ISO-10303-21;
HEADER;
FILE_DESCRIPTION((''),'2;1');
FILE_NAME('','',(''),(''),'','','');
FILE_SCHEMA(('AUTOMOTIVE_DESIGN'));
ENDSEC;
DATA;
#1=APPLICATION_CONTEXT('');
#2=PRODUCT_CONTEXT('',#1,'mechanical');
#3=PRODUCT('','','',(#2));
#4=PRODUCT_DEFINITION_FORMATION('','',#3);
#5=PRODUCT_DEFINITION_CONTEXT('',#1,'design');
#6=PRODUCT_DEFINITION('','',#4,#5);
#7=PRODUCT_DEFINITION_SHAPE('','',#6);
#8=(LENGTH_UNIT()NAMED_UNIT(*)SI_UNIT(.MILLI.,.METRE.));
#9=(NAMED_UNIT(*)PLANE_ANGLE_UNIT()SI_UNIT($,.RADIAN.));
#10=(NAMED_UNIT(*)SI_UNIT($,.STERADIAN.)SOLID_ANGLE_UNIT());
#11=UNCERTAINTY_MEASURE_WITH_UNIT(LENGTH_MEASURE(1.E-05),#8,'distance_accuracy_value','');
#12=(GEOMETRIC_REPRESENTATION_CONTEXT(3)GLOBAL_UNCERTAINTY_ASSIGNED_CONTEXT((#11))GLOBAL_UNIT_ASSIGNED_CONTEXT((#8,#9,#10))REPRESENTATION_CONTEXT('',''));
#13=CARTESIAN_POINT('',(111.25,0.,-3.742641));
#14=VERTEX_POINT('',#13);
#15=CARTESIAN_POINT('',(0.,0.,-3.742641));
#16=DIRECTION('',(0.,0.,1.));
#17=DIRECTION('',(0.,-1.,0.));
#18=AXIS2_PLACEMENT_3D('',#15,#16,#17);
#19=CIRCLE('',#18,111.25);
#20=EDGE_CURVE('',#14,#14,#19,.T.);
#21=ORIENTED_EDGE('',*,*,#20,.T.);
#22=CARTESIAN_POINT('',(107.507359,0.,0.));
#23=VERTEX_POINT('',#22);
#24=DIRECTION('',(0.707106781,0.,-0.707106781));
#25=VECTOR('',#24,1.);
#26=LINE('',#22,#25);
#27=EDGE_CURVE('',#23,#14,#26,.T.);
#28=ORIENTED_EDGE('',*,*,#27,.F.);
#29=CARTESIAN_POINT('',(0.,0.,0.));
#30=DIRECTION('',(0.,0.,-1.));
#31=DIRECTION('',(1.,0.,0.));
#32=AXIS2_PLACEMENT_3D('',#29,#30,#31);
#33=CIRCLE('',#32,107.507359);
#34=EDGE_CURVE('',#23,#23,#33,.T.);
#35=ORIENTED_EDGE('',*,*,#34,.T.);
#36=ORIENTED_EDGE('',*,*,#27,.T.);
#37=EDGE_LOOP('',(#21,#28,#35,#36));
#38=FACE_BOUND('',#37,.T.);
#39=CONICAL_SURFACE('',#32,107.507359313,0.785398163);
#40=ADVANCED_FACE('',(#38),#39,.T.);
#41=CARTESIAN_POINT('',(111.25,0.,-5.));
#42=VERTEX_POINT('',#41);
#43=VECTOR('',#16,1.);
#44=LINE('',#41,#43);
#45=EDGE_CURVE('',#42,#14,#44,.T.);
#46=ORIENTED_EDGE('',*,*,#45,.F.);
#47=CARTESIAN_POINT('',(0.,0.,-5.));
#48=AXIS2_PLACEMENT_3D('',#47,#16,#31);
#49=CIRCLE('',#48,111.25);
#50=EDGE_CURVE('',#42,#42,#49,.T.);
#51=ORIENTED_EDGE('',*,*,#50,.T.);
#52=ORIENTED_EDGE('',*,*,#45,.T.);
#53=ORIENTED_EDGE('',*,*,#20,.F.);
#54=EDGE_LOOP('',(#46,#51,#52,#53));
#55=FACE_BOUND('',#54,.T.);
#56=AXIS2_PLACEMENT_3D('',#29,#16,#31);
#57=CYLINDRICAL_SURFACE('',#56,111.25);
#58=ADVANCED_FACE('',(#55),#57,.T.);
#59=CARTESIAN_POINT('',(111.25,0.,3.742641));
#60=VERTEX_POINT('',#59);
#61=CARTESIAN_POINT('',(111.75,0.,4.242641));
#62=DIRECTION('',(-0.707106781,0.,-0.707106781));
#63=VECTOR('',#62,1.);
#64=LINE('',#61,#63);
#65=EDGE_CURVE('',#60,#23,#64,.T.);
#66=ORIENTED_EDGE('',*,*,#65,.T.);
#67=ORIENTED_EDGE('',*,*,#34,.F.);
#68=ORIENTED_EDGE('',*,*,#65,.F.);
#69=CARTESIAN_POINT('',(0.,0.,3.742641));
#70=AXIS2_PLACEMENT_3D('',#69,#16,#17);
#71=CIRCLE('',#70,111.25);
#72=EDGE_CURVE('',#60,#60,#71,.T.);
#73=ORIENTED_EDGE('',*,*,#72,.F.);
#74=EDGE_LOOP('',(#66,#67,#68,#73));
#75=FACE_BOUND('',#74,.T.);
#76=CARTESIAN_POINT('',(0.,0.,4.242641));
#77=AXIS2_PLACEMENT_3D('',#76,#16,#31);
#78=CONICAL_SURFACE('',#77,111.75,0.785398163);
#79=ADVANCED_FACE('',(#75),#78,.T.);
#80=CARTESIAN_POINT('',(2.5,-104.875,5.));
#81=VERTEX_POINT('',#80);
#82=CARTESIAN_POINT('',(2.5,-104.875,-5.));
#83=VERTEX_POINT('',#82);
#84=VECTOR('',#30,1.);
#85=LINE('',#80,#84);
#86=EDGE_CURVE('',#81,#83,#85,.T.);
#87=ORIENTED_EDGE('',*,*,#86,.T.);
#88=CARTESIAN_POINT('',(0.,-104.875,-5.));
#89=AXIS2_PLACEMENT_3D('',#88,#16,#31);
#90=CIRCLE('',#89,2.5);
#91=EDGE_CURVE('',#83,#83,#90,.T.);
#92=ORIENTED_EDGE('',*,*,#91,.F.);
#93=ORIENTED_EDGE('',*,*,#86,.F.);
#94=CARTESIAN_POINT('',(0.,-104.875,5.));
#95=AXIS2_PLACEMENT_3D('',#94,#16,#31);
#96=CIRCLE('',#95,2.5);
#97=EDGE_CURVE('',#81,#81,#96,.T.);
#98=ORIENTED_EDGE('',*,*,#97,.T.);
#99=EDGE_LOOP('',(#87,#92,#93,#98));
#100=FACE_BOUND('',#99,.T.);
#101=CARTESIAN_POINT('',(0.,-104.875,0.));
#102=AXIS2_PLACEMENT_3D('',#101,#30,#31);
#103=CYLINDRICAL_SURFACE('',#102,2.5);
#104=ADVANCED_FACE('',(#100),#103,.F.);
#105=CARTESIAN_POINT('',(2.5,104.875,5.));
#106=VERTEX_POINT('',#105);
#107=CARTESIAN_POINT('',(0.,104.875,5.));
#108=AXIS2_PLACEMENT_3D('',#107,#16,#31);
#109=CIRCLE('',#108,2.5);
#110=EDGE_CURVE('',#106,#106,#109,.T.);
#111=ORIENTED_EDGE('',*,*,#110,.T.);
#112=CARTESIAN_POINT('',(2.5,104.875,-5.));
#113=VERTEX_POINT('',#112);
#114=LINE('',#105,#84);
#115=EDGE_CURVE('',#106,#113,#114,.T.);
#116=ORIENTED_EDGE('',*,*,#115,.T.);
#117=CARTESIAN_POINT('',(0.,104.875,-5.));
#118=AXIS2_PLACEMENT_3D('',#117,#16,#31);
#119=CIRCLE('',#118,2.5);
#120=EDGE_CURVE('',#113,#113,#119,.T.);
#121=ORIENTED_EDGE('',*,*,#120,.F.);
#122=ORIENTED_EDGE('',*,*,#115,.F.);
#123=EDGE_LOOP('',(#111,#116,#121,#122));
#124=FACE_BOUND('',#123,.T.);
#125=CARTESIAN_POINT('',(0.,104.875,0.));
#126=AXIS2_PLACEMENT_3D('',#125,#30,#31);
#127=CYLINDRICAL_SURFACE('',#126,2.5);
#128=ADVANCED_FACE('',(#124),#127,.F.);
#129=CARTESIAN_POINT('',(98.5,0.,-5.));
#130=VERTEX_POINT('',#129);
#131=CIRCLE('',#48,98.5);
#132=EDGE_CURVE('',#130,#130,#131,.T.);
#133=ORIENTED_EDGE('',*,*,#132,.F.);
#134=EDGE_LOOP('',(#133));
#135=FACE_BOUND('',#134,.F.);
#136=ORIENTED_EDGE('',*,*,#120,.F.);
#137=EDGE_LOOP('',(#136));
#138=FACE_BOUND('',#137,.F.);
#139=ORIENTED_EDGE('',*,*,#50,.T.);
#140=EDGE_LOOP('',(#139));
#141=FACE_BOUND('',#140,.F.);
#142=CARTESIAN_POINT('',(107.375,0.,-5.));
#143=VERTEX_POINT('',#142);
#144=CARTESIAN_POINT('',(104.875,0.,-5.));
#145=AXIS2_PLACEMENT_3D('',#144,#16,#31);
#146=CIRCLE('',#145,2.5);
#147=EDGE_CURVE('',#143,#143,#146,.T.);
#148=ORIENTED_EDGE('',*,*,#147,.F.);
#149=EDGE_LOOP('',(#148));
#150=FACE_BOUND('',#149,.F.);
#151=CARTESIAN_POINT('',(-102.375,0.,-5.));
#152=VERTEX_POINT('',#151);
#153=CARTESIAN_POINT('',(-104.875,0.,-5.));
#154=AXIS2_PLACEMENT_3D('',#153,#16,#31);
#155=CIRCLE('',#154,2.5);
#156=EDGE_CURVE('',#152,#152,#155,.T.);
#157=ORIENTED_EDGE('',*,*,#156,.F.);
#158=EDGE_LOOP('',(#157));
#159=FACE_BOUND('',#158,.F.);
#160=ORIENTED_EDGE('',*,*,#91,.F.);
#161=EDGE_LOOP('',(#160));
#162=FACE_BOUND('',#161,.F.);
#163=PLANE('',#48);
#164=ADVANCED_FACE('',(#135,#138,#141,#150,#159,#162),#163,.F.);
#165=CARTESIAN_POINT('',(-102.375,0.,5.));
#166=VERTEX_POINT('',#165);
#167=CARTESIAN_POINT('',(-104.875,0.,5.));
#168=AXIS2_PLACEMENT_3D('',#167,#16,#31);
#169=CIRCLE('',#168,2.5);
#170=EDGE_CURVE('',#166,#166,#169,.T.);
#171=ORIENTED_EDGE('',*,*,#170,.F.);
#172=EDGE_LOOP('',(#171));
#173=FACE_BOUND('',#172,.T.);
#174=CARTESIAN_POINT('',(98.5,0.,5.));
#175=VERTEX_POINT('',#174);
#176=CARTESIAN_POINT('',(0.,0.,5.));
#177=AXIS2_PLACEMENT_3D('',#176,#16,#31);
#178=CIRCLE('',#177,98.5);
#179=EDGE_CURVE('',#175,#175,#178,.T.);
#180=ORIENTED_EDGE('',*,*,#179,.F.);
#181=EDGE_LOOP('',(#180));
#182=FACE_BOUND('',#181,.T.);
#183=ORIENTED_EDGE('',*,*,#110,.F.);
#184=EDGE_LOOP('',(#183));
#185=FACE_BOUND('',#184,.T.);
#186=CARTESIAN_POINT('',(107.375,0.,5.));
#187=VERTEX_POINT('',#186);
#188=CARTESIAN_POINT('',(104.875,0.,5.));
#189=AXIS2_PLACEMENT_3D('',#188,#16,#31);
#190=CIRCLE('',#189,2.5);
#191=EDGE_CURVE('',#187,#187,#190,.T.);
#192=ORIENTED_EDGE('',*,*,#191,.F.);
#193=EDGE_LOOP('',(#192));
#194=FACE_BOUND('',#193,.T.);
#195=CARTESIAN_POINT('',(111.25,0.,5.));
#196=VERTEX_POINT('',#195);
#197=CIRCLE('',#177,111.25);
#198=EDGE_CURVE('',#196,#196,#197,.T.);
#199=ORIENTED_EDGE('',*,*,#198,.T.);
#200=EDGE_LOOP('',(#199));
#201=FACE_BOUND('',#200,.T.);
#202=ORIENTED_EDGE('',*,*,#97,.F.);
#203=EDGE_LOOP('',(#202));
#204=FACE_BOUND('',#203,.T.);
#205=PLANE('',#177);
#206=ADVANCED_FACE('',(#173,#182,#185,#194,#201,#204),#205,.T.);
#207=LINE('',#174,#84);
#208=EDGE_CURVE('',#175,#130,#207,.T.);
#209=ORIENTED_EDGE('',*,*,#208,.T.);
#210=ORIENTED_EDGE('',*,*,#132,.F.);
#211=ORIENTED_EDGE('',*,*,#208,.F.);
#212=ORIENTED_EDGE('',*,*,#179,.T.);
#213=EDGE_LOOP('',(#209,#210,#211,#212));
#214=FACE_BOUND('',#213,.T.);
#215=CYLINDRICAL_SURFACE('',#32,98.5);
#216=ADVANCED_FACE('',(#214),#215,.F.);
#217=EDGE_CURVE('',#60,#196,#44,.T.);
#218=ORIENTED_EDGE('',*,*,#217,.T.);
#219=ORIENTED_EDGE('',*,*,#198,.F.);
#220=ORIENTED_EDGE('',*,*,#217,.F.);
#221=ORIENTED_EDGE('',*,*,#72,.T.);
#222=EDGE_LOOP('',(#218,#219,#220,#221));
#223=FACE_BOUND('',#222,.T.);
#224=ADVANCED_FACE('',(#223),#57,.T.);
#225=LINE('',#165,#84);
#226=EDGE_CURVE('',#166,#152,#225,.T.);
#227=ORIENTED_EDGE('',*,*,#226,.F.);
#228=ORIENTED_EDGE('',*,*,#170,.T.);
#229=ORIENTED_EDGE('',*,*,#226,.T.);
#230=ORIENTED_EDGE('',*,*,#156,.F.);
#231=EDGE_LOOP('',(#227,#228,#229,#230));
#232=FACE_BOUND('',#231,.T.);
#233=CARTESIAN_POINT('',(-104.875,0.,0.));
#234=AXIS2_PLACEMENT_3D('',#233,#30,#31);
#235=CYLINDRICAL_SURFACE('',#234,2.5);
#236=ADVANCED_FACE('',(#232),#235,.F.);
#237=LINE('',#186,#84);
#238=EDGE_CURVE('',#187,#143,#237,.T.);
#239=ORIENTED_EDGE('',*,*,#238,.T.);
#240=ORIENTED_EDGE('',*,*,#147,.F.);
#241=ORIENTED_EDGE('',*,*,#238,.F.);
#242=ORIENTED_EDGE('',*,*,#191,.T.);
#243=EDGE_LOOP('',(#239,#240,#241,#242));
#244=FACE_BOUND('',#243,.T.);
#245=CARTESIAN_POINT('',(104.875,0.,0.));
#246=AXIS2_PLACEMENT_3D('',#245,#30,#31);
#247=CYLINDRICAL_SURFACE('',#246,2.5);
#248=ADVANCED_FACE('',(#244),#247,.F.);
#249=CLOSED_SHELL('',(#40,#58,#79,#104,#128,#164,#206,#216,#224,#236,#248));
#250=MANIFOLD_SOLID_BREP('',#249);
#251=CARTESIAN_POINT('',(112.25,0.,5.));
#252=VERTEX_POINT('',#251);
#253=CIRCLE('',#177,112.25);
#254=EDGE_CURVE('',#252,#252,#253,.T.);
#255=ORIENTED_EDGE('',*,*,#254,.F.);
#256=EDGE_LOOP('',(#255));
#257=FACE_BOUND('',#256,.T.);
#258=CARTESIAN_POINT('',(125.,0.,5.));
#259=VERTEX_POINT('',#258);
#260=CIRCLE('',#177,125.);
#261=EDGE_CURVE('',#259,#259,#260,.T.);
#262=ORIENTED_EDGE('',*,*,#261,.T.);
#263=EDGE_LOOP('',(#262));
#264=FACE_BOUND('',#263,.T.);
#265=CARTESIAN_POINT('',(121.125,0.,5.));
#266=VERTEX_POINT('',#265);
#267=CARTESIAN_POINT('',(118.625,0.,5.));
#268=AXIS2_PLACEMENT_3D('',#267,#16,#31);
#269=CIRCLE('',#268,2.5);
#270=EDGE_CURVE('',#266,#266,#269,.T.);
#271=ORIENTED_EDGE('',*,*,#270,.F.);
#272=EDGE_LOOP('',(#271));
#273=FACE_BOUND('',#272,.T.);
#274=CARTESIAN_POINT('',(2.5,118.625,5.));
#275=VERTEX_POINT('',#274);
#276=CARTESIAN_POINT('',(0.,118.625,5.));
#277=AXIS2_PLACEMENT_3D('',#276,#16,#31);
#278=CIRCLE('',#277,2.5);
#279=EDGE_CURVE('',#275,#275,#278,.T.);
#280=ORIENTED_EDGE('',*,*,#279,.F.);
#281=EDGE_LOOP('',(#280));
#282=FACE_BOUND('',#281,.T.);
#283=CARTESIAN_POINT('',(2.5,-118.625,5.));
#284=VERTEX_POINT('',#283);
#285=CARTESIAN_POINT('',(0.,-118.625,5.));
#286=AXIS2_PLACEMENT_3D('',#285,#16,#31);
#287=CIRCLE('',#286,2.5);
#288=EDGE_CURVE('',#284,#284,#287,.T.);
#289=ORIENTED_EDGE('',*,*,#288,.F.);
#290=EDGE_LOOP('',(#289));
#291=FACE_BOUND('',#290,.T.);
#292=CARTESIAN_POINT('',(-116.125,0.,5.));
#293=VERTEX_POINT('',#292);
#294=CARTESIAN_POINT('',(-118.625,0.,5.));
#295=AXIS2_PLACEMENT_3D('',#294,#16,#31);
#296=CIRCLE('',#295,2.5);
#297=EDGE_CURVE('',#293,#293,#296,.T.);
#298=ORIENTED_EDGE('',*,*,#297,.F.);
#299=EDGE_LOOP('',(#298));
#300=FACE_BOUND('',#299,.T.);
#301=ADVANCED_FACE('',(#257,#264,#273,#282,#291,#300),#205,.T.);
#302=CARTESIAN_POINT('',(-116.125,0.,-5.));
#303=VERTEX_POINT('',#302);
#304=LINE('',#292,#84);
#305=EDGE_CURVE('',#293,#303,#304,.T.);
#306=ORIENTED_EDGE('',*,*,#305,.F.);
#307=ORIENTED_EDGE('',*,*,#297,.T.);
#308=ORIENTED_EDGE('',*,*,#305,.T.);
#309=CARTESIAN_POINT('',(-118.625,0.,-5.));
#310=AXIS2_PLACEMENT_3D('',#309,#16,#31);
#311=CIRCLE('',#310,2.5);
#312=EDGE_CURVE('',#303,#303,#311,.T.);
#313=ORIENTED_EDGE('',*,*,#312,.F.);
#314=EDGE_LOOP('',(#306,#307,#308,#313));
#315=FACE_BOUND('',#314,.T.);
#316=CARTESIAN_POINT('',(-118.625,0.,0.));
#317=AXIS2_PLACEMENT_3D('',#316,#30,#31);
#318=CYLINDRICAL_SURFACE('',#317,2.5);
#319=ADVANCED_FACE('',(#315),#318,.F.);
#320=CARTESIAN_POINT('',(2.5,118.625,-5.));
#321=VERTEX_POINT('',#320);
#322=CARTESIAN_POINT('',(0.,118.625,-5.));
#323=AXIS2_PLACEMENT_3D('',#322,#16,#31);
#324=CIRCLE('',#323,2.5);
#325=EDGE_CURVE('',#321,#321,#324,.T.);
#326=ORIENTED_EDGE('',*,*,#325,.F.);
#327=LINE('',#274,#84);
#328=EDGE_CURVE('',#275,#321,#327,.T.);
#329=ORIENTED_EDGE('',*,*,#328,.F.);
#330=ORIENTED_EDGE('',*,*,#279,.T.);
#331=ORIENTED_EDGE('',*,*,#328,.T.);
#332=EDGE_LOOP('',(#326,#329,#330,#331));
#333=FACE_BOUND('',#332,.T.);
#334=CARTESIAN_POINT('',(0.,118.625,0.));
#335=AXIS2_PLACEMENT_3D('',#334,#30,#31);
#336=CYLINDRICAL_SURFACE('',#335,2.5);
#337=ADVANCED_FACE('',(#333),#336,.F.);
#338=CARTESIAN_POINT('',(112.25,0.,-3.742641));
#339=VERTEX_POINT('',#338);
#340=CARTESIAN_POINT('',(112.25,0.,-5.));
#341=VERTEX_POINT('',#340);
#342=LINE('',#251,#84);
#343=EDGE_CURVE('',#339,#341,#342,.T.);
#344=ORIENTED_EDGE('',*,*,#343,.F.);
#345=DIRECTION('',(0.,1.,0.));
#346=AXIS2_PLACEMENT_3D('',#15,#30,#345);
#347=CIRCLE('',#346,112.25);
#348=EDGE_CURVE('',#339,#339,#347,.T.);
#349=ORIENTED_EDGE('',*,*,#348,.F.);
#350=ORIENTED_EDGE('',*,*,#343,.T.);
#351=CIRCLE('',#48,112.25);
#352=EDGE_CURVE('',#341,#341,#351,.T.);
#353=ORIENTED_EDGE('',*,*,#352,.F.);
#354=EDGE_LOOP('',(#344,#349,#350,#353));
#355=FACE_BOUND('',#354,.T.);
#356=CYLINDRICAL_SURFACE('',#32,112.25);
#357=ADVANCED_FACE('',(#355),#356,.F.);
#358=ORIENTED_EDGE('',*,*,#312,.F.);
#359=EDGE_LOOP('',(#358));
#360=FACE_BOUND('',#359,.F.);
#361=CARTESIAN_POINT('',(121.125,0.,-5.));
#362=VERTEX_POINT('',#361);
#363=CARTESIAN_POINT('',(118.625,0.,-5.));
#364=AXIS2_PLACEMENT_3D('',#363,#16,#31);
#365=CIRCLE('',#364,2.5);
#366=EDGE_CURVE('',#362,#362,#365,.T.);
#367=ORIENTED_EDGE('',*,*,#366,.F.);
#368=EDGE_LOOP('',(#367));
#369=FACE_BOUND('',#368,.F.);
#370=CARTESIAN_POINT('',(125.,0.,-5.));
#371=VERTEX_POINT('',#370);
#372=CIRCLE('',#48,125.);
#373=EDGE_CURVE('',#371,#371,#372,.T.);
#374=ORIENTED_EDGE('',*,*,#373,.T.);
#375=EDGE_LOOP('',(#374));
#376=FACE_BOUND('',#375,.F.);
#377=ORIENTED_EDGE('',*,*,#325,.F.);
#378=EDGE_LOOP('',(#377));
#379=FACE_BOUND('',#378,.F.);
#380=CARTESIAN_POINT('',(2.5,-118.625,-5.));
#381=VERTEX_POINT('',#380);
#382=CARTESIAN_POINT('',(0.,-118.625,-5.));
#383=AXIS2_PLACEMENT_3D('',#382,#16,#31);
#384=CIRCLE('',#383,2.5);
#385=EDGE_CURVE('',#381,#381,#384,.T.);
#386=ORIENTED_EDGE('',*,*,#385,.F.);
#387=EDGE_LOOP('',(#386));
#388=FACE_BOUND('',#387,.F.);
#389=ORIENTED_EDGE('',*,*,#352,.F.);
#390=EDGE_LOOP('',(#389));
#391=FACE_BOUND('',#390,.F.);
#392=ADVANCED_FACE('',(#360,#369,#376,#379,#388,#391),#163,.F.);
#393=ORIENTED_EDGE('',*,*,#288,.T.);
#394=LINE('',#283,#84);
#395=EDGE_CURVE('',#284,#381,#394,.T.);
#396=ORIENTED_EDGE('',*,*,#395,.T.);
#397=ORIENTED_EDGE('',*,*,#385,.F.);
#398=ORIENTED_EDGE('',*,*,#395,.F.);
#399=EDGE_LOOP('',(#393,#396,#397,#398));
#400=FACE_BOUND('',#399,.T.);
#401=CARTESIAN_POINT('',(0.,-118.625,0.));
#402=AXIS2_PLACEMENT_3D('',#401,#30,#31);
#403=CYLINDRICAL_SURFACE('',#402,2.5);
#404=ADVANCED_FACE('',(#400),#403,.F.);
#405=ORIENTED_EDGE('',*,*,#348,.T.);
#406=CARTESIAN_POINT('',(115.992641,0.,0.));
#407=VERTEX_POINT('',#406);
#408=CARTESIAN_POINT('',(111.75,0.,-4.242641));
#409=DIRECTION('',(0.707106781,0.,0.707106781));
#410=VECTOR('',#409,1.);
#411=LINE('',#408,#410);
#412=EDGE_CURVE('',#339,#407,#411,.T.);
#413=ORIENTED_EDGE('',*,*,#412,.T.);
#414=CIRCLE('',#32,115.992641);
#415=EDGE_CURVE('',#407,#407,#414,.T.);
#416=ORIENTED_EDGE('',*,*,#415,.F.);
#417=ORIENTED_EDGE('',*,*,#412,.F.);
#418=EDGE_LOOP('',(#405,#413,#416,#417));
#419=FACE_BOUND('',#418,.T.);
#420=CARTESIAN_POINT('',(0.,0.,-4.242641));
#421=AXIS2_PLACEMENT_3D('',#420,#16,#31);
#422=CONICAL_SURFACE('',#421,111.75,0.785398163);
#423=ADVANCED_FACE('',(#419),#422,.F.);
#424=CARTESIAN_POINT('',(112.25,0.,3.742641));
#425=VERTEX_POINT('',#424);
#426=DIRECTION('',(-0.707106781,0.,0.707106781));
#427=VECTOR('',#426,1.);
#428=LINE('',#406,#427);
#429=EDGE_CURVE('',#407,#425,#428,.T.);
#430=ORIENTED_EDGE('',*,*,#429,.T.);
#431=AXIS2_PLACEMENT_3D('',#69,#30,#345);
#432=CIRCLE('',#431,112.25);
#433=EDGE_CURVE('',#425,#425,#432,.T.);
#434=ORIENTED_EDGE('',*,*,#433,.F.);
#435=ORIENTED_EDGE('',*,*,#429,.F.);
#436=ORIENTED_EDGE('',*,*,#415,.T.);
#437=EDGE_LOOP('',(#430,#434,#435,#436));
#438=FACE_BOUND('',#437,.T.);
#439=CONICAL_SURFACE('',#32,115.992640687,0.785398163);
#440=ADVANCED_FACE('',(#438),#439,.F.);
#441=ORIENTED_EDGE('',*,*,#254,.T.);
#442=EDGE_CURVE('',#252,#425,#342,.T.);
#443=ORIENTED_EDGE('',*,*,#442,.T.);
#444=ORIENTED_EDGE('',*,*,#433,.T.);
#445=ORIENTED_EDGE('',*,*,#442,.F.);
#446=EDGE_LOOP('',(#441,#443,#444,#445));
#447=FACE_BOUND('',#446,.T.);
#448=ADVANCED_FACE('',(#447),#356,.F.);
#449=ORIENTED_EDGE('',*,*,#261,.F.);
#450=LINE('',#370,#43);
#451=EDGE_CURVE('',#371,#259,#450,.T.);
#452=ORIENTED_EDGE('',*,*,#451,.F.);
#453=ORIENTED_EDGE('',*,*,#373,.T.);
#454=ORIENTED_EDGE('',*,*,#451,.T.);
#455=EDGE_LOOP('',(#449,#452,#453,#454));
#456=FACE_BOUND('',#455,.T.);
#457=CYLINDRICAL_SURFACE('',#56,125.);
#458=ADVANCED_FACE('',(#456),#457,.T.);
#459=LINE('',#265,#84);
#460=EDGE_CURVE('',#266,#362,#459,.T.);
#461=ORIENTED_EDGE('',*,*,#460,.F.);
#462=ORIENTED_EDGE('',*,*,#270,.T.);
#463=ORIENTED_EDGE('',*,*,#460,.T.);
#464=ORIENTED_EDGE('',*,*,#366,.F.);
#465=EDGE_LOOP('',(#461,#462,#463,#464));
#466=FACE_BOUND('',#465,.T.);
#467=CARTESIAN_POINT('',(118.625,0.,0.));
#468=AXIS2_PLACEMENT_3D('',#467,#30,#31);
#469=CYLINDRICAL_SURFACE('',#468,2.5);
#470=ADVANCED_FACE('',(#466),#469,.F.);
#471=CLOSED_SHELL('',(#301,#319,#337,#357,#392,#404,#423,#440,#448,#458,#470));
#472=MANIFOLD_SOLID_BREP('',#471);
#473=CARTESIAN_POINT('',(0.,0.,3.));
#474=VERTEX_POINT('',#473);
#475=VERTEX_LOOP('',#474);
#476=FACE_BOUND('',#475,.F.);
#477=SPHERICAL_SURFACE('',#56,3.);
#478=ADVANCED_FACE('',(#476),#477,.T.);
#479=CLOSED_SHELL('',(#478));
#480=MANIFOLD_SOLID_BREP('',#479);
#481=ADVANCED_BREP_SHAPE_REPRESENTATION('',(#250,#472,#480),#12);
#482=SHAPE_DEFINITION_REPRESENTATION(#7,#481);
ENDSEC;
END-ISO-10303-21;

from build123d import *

# Parameters (mm, degrees)
F1_R     = 125
F1_R_2   = 2.5
F1_R_3   = 112.25
F2_DEPTH = 5
F3_R     = 111.25
F3_R_2   = 2.5
F3_R_3   = 98.5
F4_DEPTH = 5


with BuildPart() as f2:
    # F1 (on Top) → F2 (new body, symmetric)
    with BuildSketch(Plane.XY):
        Circle(F1_R)
        with Locations((0, -118.625)):
            Circle(F1_R_2, mode=Mode.SUBTRACT)
        with Locations((-118.625, 0)):
            Circle(F1_R_2, mode=Mode.SUBTRACT)
        Circle(F1_R_3, mode=Mode.SUBTRACT)
        with Locations((118.625, 0)):
            Circle(F1_R_2, mode=Mode.SUBTRACT)
        with Locations((0, 118.625)):
            Circle(F1_R_2, mode=Mode.SUBTRACT)
    extrude(amount=F2_DEPTH, both=True)


with BuildPart() as f4:
    # F3 (on Top) → F4 (new body, symmetric)
    with BuildSketch(Plane.XY):
        Circle(F3_R)
        with Locations((0, -104.875)):
            Circle(F3_R_2, mode=Mode.SUBTRACT)
        with Locations((-104.875, 0)):
            Circle(F3_R_2, mode=Mode.SUBTRACT)
        Circle(F3_R_3, mode=Mode.SUBTRACT)
        with Locations((104.875, 0)):
            Circle(F3_R_2, mode=Mode.SUBTRACT)
        with Locations((0, 104.875)):
            Circle(F3_R_2, mode=Mode.SUBTRACT)
    extrude(amount=F4_DEPTH, both=True)


with BuildPart() as f6:
    # F5 (on Front) → F6 (revolve)
    with BuildSketch(Plane.XZ):
        Polygon((115.9926406871, 0), (111.75, 4.2426406871), (107.5073593129, 0), (111.75, -4.2426406871), align=None)
    revolve(axis=Axis((0, 0, 0), (0, 0, -1)))


with BuildPart() as f2_1:
    add(f2.part)

    # F7: cut F6
    add(f6.part, mode=Mode.SUBTRACT)


with BuildPart() as f4_1:
    add(f4.part)

    # F7: cut F6
    add(f6.part, mode=Mode.SUBTRACT)


with BuildPart() as f9:
    # F8 (on Front) → F9 (revolve)
    with BuildSketch(Plane.XZ):
        with BuildLine():
            Line((0, 3), (0, -3))
            ThreePointArc((0, -3), (3, 0), (0, 3))
        make_face()
    revolve(axis=Axis((0, 0, 0), (0, 0, -1)))


solid = Compound([f2_1.part, f4_1.part, f9.part])
